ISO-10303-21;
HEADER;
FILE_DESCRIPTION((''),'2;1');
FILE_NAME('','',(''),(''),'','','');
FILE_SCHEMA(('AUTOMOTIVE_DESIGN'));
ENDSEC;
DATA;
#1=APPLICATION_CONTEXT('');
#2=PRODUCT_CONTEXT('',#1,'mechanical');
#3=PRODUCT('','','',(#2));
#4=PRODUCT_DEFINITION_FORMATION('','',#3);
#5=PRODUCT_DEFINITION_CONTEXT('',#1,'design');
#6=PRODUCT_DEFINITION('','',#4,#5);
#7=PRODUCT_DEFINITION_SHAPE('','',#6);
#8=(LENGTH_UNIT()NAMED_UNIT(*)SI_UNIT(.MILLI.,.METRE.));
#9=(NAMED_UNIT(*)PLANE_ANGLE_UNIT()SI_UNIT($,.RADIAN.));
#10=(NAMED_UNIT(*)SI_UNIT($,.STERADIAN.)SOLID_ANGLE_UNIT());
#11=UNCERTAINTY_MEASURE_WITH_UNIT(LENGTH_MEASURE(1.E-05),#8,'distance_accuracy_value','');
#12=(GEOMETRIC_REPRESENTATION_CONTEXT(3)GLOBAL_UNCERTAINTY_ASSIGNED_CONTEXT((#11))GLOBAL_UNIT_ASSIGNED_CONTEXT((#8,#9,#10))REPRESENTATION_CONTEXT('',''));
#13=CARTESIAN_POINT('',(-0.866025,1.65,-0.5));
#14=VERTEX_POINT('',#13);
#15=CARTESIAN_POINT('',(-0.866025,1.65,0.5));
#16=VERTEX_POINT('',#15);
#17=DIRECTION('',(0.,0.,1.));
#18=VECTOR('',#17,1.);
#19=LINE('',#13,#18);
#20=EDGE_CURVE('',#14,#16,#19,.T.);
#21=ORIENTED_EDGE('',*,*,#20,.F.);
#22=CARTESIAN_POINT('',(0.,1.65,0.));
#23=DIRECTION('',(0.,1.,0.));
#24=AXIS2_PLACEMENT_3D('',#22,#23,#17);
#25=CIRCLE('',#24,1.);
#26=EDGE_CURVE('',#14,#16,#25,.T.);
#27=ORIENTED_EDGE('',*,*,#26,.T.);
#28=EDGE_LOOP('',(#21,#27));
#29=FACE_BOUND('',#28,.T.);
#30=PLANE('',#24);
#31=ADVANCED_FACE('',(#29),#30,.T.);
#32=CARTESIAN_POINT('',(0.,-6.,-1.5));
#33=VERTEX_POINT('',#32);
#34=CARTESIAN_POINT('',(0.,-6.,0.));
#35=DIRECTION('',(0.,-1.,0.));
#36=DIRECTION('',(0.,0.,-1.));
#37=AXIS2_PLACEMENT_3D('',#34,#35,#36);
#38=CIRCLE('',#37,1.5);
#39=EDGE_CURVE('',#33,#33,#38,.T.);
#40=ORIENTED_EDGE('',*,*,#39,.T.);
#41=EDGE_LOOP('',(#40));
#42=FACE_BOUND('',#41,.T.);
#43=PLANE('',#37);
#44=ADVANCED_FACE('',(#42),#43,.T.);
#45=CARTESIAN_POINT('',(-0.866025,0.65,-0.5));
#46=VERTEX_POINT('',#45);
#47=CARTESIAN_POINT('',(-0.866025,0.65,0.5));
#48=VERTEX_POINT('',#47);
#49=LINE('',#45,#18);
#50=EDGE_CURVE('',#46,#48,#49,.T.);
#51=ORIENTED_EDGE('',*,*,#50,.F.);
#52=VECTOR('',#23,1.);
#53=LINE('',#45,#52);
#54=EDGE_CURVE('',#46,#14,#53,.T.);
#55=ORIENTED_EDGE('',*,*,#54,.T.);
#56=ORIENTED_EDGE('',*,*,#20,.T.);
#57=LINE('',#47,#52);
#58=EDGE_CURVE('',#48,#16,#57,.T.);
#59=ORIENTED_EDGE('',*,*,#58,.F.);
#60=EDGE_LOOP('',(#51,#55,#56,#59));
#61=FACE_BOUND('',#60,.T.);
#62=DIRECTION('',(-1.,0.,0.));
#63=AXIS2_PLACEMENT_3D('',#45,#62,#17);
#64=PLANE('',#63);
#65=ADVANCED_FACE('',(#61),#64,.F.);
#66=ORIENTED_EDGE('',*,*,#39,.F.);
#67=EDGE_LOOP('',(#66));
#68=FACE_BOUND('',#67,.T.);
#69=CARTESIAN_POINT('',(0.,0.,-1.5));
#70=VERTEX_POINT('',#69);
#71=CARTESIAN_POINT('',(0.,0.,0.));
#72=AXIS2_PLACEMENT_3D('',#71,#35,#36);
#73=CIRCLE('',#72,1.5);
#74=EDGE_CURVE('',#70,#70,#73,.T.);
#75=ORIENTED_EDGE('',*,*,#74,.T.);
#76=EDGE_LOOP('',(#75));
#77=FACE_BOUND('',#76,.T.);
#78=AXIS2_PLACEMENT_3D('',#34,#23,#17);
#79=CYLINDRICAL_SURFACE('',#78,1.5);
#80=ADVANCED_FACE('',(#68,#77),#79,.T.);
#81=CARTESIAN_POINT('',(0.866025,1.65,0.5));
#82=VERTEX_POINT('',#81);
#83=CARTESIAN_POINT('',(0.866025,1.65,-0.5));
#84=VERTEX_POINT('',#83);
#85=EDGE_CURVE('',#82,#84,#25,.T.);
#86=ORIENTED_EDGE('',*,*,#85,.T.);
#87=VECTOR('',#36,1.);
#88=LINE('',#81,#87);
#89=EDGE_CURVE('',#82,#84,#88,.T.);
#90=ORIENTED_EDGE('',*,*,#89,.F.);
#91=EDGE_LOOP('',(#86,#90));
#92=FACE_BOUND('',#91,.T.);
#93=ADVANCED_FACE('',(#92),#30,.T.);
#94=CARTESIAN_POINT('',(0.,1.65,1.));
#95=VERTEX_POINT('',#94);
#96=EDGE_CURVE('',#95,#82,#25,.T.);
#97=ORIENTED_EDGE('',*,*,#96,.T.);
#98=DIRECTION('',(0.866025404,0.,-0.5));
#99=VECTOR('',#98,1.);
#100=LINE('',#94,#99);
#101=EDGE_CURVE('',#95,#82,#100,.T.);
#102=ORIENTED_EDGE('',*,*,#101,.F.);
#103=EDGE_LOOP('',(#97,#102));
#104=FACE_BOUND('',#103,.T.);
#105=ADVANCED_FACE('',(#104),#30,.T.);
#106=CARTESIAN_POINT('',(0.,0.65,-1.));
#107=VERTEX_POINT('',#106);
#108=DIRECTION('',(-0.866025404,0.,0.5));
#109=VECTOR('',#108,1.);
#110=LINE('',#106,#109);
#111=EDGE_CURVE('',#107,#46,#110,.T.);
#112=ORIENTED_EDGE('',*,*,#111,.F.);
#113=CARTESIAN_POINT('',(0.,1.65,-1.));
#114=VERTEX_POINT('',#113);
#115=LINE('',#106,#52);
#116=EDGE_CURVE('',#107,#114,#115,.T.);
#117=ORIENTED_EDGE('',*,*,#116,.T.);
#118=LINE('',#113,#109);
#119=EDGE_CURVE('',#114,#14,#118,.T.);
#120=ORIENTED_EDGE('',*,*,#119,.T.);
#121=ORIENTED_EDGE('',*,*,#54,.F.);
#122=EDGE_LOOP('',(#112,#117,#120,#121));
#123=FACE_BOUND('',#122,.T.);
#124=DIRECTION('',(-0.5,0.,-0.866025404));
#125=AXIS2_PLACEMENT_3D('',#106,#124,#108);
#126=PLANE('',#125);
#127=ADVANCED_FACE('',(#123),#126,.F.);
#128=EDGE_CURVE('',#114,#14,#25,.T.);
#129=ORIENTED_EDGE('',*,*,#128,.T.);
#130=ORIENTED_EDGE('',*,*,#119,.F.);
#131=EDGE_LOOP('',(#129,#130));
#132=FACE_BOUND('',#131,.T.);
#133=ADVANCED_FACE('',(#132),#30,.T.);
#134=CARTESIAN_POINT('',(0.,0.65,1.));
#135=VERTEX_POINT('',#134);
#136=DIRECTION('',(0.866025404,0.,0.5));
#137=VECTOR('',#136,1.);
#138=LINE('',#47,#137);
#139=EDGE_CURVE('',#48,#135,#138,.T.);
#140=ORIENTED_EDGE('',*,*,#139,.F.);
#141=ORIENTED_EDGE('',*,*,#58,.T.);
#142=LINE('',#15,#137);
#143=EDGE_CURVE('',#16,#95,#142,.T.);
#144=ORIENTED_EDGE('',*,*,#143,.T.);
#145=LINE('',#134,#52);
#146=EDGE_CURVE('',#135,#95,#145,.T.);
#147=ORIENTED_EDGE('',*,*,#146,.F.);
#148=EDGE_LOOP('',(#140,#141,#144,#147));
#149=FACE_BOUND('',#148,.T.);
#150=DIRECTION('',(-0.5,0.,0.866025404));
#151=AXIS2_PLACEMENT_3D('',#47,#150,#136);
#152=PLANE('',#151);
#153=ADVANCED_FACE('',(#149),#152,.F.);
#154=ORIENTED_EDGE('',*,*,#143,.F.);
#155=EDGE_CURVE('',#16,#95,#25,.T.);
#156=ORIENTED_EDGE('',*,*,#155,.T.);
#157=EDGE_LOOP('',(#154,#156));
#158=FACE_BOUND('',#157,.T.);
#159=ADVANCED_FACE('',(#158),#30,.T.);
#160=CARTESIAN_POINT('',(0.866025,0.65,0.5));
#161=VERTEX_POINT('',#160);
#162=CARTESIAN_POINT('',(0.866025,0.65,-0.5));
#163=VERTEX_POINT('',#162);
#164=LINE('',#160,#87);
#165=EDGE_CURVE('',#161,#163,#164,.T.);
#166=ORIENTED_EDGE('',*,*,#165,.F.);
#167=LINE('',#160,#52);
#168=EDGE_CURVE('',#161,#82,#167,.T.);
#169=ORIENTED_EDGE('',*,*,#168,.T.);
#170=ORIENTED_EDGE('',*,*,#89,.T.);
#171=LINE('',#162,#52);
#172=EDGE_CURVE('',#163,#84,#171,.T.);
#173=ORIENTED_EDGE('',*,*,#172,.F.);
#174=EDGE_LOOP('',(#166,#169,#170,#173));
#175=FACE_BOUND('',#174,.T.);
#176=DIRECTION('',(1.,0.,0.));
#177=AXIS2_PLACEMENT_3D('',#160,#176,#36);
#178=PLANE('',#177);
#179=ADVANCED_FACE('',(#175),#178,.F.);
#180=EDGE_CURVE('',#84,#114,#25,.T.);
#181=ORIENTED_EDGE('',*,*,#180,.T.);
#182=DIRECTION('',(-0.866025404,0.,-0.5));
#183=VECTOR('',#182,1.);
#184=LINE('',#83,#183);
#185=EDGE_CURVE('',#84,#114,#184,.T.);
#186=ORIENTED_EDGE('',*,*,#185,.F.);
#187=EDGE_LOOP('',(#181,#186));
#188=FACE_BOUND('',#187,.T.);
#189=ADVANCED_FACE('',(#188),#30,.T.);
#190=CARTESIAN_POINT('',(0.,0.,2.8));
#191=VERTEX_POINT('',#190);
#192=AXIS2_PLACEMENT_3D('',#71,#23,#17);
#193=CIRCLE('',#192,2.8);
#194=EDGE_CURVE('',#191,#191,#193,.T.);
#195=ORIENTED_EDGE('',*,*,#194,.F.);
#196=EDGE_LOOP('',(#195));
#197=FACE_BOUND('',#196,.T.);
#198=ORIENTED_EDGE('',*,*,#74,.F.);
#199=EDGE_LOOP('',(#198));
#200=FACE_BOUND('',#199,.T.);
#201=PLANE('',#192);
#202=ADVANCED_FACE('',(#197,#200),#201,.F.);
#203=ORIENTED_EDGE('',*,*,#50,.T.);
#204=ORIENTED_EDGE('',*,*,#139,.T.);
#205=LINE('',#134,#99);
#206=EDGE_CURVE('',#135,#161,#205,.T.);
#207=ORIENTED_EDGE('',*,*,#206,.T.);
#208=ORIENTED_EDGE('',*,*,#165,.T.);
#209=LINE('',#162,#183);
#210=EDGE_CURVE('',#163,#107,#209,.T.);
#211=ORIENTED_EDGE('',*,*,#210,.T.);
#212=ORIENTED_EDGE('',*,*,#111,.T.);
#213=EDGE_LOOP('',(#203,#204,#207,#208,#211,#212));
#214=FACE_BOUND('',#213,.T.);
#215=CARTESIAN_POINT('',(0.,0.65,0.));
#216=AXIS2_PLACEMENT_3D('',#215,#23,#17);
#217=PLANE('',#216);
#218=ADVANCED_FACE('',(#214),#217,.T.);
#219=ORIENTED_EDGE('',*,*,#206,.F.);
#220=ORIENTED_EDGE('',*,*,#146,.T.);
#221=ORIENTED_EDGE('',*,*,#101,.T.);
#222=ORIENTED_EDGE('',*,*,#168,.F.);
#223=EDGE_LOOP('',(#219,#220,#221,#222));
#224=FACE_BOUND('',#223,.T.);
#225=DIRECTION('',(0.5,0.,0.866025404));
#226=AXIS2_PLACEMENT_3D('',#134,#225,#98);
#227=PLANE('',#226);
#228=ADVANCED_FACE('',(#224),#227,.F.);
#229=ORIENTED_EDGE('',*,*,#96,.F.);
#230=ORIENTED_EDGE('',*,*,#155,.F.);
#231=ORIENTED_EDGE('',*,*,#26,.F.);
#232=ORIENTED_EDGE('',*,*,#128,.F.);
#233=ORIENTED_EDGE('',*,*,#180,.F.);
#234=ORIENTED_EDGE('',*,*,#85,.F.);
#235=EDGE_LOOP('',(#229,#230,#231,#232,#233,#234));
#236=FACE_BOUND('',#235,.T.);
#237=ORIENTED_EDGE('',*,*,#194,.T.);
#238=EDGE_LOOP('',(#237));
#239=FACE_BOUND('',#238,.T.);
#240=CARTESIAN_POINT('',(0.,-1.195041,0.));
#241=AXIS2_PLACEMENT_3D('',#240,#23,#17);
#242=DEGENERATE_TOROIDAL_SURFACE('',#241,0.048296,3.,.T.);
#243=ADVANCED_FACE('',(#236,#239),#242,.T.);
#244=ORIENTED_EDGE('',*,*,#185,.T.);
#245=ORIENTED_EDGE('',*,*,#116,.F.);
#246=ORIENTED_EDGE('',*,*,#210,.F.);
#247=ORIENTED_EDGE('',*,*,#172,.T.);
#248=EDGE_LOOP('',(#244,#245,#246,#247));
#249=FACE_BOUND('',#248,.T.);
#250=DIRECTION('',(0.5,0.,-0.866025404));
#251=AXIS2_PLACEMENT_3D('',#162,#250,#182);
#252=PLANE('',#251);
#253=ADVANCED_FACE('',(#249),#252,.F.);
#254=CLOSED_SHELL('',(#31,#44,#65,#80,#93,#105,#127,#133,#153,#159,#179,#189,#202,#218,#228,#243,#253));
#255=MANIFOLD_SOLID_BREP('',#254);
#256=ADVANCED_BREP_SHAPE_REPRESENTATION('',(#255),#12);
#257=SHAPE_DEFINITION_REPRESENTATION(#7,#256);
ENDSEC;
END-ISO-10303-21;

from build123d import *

# Parameters (mm, degrees)
SKETCH2_R           = 1.5
BOSS_EXTRUDE1_DEPTH = 6
CUT_EXTRUDE1_DEPTH  = 1


with BuildPart() as part:
    # Sketch1 → Revolve1 (revolve)
    with BuildSketch(Plane(origin=(0, 0, 0), x_dir=(0, 0, -1), z_dir=(1, 0, 0))):
        with BuildLine():
            Line((0, 0), (0, 1.65))
            Line((0, 1.65), (-1, 1.65))
            ThreePointArc((-1, 1.65), (-2.075469546, 1.016421323), (-2.8, 0))
            Line((-2.8, 0), (0, 0))
        make_face()
    revolve(axis=Axis((0, 4.725289413, 0), (0, -1, 0)))

    # Sketch2 → Boss-Extrude1 (add)
    with BuildSketch(Plane.XZ):
        Circle(SKETCH2_R)
    extrude(amount=BOSS_EXTRUDE1_DEPTH)

    # Sketch3 → Cut-Extrude1 (cut)
    with BuildSketch(Plane(origin=(0, 1.65, 0), x_dir=(1, 0, 0), z_dir=(0, 1, 0))):
        Polygon((0, 1), (-0.866025404, 0.5), (-0.866025404, -0.5), (0, -1), (0.866025404, -0.5), (0.866025404, 0.5), align=None)
    extrude(amount=-CUT_EXTRUDE1_DEPTH, mode=Mode.SUBTRACT)


solid = part.part
